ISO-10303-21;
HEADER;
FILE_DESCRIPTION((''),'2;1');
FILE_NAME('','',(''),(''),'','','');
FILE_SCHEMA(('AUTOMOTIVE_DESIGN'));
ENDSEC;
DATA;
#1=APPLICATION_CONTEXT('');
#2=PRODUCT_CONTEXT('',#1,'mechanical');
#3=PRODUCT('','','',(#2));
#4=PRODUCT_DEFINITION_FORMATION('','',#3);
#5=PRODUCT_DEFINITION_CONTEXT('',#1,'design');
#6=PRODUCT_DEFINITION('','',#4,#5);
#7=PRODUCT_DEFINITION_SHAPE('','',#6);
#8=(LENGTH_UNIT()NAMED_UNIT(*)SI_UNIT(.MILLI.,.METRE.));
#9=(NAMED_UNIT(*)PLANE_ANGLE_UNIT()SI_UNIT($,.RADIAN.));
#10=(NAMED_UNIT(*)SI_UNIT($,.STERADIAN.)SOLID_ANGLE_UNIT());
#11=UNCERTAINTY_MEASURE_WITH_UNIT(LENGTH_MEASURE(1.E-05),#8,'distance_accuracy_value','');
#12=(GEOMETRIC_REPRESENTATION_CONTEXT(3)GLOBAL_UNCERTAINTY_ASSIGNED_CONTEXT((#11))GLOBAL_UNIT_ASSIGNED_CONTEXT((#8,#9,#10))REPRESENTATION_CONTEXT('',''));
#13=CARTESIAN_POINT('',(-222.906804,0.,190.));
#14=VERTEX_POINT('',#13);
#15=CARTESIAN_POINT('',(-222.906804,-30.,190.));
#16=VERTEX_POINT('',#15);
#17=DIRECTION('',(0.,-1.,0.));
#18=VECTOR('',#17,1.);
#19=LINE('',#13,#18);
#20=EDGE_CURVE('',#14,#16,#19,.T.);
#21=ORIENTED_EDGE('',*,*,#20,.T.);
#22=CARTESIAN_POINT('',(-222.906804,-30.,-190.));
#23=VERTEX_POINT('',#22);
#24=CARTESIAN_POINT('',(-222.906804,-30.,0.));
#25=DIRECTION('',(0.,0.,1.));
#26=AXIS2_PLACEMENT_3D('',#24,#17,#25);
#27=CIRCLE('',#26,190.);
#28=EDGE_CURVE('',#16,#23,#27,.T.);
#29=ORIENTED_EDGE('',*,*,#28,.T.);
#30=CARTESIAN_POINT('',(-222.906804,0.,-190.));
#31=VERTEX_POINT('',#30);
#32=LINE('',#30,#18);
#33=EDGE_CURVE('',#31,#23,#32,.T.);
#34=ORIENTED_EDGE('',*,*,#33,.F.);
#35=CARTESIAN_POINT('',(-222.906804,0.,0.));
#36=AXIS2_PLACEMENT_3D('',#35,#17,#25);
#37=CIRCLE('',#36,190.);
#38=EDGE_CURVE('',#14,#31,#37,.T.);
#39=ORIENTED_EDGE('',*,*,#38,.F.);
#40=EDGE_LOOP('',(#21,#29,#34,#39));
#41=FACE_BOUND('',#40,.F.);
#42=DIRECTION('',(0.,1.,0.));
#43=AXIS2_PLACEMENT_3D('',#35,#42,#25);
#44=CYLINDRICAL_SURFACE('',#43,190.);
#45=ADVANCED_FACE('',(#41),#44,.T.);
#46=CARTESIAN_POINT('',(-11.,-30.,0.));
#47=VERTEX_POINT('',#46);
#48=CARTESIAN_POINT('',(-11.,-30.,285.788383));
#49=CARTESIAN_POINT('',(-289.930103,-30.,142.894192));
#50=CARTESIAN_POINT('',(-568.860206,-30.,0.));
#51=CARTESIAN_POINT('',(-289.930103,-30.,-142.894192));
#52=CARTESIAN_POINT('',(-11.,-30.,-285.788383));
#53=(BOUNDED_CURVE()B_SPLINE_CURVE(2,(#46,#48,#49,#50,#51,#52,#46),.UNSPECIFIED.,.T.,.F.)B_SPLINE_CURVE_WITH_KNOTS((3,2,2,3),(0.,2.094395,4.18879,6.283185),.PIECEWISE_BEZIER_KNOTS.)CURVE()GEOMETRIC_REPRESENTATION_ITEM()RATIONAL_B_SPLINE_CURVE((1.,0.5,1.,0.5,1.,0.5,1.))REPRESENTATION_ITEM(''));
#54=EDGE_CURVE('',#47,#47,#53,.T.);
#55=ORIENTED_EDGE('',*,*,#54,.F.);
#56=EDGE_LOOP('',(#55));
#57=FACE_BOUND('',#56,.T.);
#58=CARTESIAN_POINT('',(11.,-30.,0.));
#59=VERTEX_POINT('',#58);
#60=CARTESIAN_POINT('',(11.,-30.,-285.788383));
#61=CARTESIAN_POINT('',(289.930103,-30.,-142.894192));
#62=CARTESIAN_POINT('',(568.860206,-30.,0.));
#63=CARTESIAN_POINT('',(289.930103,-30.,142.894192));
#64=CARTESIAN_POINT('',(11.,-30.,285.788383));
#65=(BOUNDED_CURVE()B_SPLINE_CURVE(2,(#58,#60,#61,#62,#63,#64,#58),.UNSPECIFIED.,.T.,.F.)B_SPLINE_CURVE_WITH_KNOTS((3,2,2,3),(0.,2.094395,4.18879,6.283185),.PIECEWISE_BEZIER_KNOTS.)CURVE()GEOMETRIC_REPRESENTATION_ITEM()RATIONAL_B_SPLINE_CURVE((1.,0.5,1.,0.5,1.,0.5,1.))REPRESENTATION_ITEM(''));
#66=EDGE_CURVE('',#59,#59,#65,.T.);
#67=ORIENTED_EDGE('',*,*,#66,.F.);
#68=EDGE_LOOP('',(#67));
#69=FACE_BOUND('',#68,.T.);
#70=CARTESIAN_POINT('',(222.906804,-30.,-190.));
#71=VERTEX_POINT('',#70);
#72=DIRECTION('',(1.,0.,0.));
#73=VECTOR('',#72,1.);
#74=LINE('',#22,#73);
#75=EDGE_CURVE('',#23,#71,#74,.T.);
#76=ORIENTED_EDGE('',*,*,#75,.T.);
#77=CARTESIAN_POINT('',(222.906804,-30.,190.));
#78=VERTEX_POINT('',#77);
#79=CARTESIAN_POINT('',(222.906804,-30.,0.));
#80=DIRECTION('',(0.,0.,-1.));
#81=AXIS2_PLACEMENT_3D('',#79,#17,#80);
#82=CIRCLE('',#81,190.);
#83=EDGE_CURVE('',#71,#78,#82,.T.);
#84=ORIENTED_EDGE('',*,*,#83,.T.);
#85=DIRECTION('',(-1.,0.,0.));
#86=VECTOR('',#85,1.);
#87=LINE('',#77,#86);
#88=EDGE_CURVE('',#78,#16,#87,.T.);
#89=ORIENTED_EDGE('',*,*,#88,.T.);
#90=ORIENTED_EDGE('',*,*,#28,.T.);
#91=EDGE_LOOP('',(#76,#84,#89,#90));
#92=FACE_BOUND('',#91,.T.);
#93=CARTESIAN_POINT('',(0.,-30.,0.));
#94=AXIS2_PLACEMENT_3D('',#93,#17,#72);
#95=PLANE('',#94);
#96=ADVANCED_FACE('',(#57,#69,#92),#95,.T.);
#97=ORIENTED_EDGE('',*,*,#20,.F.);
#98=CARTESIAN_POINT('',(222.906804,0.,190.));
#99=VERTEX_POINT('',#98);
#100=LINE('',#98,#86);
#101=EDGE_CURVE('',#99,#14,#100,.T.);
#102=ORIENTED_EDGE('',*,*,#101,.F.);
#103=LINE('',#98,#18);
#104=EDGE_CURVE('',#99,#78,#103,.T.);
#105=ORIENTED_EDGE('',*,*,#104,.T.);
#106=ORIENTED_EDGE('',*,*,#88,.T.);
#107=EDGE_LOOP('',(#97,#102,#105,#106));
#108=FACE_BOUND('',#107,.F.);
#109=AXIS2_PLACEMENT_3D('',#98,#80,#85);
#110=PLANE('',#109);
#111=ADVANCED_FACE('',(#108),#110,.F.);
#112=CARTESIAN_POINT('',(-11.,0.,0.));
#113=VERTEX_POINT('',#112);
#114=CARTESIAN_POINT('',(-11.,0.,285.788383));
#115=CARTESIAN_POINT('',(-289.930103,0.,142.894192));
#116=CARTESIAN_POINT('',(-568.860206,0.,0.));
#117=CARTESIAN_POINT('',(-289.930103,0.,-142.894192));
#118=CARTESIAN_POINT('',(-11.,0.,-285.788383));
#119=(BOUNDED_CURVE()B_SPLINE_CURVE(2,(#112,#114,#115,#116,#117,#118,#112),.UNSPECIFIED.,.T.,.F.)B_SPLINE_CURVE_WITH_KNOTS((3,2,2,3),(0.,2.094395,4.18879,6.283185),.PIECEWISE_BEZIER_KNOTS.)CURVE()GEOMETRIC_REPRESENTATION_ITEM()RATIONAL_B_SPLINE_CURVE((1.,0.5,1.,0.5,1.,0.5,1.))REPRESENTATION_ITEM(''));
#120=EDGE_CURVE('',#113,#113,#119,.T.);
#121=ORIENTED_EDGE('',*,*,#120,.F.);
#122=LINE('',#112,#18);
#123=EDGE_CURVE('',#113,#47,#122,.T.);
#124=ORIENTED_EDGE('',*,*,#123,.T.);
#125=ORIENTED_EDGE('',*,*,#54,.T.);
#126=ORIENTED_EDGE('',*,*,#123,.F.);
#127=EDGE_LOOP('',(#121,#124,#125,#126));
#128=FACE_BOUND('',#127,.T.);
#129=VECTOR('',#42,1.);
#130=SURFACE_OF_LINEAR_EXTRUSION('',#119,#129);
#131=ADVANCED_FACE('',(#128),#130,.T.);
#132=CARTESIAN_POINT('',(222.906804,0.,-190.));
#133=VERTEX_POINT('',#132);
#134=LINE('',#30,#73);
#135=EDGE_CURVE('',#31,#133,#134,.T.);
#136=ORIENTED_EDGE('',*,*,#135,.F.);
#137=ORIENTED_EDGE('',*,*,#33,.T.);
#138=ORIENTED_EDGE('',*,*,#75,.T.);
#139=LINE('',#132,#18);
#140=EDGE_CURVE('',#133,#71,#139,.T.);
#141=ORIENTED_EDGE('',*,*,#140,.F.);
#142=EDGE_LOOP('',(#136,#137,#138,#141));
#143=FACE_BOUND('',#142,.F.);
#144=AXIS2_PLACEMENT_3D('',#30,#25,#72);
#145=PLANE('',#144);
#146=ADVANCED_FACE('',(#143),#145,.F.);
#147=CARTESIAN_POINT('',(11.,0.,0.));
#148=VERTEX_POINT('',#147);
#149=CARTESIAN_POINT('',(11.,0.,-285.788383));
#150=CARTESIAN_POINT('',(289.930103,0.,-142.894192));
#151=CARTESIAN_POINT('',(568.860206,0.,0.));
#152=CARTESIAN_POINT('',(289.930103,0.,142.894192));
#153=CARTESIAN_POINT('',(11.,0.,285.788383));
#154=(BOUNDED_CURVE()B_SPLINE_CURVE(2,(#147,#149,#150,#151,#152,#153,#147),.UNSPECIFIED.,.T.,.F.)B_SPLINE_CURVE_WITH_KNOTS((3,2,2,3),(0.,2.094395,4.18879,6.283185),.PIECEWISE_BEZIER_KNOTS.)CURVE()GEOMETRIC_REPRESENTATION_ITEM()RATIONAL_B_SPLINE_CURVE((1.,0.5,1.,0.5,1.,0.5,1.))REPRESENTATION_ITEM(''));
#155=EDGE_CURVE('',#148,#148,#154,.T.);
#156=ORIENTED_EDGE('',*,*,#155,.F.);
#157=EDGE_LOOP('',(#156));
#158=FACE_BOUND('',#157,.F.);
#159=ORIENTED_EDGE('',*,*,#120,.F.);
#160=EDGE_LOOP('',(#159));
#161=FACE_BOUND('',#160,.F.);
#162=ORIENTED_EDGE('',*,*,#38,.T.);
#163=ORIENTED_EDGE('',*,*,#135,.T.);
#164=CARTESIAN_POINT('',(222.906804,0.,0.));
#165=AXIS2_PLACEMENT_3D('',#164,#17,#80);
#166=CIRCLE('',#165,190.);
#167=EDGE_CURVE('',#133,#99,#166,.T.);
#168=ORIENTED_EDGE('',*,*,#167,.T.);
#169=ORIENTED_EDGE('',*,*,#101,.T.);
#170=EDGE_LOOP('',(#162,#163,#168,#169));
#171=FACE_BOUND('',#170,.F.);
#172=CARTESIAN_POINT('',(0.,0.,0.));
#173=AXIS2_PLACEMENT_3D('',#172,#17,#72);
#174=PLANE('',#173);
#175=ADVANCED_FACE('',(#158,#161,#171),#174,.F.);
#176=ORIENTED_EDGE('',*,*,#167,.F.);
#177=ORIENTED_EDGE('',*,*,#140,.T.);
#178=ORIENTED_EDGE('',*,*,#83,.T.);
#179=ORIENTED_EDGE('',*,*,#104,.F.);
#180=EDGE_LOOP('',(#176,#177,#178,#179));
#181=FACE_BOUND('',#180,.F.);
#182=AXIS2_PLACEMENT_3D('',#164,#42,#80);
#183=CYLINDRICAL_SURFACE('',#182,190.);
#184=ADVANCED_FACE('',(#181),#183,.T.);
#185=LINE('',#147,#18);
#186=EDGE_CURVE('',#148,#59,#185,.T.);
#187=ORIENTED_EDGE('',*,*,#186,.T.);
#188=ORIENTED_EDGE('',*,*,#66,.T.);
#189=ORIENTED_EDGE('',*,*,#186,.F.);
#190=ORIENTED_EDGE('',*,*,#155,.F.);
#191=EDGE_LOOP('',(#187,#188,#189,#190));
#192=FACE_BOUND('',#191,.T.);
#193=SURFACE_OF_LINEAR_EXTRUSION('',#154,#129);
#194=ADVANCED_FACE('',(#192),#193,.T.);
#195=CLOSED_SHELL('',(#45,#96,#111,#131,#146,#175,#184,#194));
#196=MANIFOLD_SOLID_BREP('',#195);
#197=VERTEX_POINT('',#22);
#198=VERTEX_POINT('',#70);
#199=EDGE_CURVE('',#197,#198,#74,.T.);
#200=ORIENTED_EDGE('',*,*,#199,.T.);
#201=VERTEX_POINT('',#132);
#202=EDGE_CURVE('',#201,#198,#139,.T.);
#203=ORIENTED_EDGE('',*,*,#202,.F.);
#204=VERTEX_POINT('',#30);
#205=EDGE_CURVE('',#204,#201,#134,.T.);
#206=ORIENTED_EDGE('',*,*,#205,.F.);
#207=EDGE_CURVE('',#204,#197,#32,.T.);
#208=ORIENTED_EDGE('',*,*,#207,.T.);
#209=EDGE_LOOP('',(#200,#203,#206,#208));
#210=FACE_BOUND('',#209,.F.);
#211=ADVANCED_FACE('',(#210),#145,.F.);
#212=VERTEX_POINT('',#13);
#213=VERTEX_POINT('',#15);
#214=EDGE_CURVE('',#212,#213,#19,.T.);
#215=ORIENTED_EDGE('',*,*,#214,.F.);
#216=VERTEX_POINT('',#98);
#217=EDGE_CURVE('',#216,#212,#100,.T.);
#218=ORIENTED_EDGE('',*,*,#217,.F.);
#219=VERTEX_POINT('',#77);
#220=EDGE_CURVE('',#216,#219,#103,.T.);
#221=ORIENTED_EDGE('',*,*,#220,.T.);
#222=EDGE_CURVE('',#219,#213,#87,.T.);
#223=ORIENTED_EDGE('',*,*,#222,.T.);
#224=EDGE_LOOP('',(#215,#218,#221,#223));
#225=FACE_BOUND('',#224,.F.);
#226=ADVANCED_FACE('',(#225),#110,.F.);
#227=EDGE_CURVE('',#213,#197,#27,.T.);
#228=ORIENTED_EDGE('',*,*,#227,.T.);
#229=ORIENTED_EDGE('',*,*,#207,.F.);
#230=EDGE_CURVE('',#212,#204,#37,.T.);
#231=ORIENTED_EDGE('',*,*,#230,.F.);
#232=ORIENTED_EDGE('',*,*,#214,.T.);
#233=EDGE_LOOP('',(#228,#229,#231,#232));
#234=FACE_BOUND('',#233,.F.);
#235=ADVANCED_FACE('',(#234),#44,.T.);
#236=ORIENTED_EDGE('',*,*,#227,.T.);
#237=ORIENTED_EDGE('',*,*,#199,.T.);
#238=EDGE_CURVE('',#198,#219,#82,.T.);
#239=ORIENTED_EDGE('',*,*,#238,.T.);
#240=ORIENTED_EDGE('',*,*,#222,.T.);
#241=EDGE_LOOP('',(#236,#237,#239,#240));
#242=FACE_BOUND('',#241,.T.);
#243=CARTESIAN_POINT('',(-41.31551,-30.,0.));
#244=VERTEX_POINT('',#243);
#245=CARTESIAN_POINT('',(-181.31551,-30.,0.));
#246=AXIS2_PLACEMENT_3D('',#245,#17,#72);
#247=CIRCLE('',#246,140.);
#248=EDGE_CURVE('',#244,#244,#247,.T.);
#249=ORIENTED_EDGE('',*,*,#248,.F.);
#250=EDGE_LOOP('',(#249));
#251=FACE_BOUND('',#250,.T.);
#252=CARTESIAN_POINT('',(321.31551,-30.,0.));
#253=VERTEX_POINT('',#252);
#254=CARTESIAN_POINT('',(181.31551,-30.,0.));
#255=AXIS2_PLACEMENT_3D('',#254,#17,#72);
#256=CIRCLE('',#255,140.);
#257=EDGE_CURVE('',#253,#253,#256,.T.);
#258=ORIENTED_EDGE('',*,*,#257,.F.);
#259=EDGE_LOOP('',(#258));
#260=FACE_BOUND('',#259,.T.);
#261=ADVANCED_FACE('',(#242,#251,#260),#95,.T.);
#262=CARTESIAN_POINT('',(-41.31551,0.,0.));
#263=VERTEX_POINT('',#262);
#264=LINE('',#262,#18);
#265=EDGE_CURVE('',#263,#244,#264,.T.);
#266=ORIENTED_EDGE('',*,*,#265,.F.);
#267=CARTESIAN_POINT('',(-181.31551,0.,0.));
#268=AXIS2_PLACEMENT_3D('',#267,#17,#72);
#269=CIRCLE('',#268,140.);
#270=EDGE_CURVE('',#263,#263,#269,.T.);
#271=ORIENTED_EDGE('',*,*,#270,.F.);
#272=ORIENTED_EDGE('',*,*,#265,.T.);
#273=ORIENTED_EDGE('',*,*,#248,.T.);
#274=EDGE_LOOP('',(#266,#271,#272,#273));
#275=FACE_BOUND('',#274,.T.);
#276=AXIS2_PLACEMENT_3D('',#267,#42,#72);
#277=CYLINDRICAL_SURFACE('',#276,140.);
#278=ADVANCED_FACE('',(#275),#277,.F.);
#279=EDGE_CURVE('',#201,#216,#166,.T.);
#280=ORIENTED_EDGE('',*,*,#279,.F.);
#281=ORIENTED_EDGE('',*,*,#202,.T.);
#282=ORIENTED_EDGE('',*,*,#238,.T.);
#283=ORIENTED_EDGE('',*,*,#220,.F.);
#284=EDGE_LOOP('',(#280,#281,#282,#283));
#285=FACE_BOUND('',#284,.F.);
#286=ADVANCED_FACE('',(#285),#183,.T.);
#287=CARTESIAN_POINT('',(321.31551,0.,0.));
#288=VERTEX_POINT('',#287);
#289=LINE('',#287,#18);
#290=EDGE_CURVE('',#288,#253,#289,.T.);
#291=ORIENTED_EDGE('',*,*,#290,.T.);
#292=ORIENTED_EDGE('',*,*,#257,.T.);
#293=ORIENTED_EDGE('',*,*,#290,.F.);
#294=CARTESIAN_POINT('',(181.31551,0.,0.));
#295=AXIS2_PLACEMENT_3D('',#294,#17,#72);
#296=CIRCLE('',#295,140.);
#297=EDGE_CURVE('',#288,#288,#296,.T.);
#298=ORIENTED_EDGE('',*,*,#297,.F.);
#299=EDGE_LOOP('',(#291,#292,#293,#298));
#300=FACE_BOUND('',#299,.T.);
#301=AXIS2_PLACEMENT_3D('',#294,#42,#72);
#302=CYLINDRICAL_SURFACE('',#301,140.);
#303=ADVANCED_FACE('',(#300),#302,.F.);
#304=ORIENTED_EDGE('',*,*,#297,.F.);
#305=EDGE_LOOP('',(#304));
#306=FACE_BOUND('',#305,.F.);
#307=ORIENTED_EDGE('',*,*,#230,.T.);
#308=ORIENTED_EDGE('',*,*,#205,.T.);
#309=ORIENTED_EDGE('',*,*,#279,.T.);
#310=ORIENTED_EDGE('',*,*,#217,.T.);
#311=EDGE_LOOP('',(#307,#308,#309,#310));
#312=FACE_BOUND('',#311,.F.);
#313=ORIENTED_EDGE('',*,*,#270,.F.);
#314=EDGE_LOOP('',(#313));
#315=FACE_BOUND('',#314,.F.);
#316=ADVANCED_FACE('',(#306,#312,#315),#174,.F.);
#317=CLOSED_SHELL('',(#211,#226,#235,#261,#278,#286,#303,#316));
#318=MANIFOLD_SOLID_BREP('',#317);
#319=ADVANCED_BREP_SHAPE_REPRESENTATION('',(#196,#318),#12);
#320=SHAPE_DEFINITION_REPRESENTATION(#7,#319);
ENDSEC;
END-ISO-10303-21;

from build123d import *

# Parameters (mm, degrees)
F1_DEPTH = 30
F0_R     = 140
F2_DEPTH = 30


with BuildPart() as f1:
    # F0 (on Front) → F1 (new body)
    with BuildSketch(Plane.XZ):
        with BuildLine():
            Line((-222.906804, -190), (0, -190))
            Line((0, -190), (222.906804, -190))
            ThreePointArc((222.906804, -190), (412.906804, 0), (222.906804, 190))
            Line((222.906804, 190), (0, 190))
            Line((0, 190), (-222.906804, 190))
            ThreePointArc((-222.906804, 190), (-412.906804, 0), (-222.906804, -190))
        make_face()
        with BuildLine():
            add(Edge.make_bspline(
                [(-11, 0), (-11, 285.788383), (-289.930103, 142.894192), (-568.860206, 0), (-289.930103, -142.894192), (-11, -285.788383), (-11, 0)],
                knots=[0, 0, 0, 2.094395, 2.094395, 4.18879, 4.18879, 6.283185, 6.283185, 6.283185], degree=2, weights=[1, 0.5, 1, 0.5, 1, 0.5, 1]))
        make_face(mode=Mode.SUBTRACT)
        with BuildLine():
            add(Edge.make_bspline(
                [(11, 0), (11, -285.788383), (289.930103, -142.894192), (568.860206, 0), (289.930103, 142.894192), (11, 285.788383), (11, 0)],
                knots=[0, 0, 0, 2.094395, 2.094395, 4.18879, 4.18879, 6.283185, 6.283185, 6.283185], degree=2, weights=[1, 0.5, 1, 0.5, 1, 0.5, 1]))
        make_face(mode=Mode.SUBTRACT)
    extrude(amount=F1_DEPTH)


with BuildPart() as f2:
    # F0 (on Front) → F2 (new body)
    with BuildSketch(Plane.XZ):
        with BuildLine():
            Line((-222.906804, -190), (0, -190))
            Line((0, -190), (222.906804, -190))
            ThreePointArc((222.906804, -190), (412.906804, 0), (222.906804, 190))
            Line((222.906804, 190), (0, 190))
            Line((0, 190), (-222.906804, 190))
            ThreePointArc((-222.906804, 190), (-412.906804, 0), (-222.906804, -190))
        make_face()
        with BuildLine():
            add(Edge.make_bspline(
                [(-11, 0), (-11, 285.788383), (-289.930103, 142.894192), (-568.860206, 0), (-289.930103, -142.894192), (-11, -285.788383), (-11, 0)],
                knots=[0, 0, 0, 2.094395, 2.094395, 4.18879, 4.18879, 6.283185, 6.283185, 6.283185], degree=2, weights=[1, 0.5, 1, 0.5, 1, 0.5, 1]))
        make_face(mode=Mode.SUBTRACT)
        with BuildLine():
            add(Edge.make_bspline(
                [(11, 0), (11, -285.788383), (289.930103, -142.894192), (568.860206, 0), (289.930103, 142.894192), (11, 285.788383), (11, 0)],
                knots=[0, 0, 0, 2.094395, 2.094395, 4.18879, 4.18879, 6.283185, 6.283185, 6.283185], degree=2, weights=[1, 0.5, 1, 0.5, 1, 0.5, 1]))
        make_face(mode=Mode.SUBTRACT)
        with BuildLine():
            add(Edge.make_bspline(
                [(-11, 0), (-11, 285.788383), (-289.930103, 142.894192), (-568.860206, 0), (-289.930103, -142.894192), (-11, -285.788383), (-11, 0)],
                knots=[0, 0, 0, 2.094395, 2.094395, 4.18879, 4.18879, 6.283185, 6.283185, 6.283185], degree=2, weights=[1, 0.5, 1, 0.5, 1, 0.5, 1]))
        make_face()
        with Locations((-181.31551, 0)):
            Circle(F0_R, mode=Mode.SUBTRACT)
        with BuildLine():
            add(Edge.make_bspline(
                [(11, 0), (11, -285.788383), (289.930103, -142.894192), (568.860206, 0), (289.930103, 142.894192), (11, 285.788383), (11, 0)],
                knots=[0, 0, 0, 2.094395, 2.094395, 4.18879, 4.18879, 6.283185, 6.283185, 6.283185], degree=2, weights=[1, 0.5, 1, 0.5, 1, 0.5, 1]))
        make_face()
        with Locations((181.31551, 0)):
            Circle(F0_R, mode=Mode.SUBTRACT)
    extrude(amount=F2_DEPTH)


solid = Compound([f1.part, f2.part])
